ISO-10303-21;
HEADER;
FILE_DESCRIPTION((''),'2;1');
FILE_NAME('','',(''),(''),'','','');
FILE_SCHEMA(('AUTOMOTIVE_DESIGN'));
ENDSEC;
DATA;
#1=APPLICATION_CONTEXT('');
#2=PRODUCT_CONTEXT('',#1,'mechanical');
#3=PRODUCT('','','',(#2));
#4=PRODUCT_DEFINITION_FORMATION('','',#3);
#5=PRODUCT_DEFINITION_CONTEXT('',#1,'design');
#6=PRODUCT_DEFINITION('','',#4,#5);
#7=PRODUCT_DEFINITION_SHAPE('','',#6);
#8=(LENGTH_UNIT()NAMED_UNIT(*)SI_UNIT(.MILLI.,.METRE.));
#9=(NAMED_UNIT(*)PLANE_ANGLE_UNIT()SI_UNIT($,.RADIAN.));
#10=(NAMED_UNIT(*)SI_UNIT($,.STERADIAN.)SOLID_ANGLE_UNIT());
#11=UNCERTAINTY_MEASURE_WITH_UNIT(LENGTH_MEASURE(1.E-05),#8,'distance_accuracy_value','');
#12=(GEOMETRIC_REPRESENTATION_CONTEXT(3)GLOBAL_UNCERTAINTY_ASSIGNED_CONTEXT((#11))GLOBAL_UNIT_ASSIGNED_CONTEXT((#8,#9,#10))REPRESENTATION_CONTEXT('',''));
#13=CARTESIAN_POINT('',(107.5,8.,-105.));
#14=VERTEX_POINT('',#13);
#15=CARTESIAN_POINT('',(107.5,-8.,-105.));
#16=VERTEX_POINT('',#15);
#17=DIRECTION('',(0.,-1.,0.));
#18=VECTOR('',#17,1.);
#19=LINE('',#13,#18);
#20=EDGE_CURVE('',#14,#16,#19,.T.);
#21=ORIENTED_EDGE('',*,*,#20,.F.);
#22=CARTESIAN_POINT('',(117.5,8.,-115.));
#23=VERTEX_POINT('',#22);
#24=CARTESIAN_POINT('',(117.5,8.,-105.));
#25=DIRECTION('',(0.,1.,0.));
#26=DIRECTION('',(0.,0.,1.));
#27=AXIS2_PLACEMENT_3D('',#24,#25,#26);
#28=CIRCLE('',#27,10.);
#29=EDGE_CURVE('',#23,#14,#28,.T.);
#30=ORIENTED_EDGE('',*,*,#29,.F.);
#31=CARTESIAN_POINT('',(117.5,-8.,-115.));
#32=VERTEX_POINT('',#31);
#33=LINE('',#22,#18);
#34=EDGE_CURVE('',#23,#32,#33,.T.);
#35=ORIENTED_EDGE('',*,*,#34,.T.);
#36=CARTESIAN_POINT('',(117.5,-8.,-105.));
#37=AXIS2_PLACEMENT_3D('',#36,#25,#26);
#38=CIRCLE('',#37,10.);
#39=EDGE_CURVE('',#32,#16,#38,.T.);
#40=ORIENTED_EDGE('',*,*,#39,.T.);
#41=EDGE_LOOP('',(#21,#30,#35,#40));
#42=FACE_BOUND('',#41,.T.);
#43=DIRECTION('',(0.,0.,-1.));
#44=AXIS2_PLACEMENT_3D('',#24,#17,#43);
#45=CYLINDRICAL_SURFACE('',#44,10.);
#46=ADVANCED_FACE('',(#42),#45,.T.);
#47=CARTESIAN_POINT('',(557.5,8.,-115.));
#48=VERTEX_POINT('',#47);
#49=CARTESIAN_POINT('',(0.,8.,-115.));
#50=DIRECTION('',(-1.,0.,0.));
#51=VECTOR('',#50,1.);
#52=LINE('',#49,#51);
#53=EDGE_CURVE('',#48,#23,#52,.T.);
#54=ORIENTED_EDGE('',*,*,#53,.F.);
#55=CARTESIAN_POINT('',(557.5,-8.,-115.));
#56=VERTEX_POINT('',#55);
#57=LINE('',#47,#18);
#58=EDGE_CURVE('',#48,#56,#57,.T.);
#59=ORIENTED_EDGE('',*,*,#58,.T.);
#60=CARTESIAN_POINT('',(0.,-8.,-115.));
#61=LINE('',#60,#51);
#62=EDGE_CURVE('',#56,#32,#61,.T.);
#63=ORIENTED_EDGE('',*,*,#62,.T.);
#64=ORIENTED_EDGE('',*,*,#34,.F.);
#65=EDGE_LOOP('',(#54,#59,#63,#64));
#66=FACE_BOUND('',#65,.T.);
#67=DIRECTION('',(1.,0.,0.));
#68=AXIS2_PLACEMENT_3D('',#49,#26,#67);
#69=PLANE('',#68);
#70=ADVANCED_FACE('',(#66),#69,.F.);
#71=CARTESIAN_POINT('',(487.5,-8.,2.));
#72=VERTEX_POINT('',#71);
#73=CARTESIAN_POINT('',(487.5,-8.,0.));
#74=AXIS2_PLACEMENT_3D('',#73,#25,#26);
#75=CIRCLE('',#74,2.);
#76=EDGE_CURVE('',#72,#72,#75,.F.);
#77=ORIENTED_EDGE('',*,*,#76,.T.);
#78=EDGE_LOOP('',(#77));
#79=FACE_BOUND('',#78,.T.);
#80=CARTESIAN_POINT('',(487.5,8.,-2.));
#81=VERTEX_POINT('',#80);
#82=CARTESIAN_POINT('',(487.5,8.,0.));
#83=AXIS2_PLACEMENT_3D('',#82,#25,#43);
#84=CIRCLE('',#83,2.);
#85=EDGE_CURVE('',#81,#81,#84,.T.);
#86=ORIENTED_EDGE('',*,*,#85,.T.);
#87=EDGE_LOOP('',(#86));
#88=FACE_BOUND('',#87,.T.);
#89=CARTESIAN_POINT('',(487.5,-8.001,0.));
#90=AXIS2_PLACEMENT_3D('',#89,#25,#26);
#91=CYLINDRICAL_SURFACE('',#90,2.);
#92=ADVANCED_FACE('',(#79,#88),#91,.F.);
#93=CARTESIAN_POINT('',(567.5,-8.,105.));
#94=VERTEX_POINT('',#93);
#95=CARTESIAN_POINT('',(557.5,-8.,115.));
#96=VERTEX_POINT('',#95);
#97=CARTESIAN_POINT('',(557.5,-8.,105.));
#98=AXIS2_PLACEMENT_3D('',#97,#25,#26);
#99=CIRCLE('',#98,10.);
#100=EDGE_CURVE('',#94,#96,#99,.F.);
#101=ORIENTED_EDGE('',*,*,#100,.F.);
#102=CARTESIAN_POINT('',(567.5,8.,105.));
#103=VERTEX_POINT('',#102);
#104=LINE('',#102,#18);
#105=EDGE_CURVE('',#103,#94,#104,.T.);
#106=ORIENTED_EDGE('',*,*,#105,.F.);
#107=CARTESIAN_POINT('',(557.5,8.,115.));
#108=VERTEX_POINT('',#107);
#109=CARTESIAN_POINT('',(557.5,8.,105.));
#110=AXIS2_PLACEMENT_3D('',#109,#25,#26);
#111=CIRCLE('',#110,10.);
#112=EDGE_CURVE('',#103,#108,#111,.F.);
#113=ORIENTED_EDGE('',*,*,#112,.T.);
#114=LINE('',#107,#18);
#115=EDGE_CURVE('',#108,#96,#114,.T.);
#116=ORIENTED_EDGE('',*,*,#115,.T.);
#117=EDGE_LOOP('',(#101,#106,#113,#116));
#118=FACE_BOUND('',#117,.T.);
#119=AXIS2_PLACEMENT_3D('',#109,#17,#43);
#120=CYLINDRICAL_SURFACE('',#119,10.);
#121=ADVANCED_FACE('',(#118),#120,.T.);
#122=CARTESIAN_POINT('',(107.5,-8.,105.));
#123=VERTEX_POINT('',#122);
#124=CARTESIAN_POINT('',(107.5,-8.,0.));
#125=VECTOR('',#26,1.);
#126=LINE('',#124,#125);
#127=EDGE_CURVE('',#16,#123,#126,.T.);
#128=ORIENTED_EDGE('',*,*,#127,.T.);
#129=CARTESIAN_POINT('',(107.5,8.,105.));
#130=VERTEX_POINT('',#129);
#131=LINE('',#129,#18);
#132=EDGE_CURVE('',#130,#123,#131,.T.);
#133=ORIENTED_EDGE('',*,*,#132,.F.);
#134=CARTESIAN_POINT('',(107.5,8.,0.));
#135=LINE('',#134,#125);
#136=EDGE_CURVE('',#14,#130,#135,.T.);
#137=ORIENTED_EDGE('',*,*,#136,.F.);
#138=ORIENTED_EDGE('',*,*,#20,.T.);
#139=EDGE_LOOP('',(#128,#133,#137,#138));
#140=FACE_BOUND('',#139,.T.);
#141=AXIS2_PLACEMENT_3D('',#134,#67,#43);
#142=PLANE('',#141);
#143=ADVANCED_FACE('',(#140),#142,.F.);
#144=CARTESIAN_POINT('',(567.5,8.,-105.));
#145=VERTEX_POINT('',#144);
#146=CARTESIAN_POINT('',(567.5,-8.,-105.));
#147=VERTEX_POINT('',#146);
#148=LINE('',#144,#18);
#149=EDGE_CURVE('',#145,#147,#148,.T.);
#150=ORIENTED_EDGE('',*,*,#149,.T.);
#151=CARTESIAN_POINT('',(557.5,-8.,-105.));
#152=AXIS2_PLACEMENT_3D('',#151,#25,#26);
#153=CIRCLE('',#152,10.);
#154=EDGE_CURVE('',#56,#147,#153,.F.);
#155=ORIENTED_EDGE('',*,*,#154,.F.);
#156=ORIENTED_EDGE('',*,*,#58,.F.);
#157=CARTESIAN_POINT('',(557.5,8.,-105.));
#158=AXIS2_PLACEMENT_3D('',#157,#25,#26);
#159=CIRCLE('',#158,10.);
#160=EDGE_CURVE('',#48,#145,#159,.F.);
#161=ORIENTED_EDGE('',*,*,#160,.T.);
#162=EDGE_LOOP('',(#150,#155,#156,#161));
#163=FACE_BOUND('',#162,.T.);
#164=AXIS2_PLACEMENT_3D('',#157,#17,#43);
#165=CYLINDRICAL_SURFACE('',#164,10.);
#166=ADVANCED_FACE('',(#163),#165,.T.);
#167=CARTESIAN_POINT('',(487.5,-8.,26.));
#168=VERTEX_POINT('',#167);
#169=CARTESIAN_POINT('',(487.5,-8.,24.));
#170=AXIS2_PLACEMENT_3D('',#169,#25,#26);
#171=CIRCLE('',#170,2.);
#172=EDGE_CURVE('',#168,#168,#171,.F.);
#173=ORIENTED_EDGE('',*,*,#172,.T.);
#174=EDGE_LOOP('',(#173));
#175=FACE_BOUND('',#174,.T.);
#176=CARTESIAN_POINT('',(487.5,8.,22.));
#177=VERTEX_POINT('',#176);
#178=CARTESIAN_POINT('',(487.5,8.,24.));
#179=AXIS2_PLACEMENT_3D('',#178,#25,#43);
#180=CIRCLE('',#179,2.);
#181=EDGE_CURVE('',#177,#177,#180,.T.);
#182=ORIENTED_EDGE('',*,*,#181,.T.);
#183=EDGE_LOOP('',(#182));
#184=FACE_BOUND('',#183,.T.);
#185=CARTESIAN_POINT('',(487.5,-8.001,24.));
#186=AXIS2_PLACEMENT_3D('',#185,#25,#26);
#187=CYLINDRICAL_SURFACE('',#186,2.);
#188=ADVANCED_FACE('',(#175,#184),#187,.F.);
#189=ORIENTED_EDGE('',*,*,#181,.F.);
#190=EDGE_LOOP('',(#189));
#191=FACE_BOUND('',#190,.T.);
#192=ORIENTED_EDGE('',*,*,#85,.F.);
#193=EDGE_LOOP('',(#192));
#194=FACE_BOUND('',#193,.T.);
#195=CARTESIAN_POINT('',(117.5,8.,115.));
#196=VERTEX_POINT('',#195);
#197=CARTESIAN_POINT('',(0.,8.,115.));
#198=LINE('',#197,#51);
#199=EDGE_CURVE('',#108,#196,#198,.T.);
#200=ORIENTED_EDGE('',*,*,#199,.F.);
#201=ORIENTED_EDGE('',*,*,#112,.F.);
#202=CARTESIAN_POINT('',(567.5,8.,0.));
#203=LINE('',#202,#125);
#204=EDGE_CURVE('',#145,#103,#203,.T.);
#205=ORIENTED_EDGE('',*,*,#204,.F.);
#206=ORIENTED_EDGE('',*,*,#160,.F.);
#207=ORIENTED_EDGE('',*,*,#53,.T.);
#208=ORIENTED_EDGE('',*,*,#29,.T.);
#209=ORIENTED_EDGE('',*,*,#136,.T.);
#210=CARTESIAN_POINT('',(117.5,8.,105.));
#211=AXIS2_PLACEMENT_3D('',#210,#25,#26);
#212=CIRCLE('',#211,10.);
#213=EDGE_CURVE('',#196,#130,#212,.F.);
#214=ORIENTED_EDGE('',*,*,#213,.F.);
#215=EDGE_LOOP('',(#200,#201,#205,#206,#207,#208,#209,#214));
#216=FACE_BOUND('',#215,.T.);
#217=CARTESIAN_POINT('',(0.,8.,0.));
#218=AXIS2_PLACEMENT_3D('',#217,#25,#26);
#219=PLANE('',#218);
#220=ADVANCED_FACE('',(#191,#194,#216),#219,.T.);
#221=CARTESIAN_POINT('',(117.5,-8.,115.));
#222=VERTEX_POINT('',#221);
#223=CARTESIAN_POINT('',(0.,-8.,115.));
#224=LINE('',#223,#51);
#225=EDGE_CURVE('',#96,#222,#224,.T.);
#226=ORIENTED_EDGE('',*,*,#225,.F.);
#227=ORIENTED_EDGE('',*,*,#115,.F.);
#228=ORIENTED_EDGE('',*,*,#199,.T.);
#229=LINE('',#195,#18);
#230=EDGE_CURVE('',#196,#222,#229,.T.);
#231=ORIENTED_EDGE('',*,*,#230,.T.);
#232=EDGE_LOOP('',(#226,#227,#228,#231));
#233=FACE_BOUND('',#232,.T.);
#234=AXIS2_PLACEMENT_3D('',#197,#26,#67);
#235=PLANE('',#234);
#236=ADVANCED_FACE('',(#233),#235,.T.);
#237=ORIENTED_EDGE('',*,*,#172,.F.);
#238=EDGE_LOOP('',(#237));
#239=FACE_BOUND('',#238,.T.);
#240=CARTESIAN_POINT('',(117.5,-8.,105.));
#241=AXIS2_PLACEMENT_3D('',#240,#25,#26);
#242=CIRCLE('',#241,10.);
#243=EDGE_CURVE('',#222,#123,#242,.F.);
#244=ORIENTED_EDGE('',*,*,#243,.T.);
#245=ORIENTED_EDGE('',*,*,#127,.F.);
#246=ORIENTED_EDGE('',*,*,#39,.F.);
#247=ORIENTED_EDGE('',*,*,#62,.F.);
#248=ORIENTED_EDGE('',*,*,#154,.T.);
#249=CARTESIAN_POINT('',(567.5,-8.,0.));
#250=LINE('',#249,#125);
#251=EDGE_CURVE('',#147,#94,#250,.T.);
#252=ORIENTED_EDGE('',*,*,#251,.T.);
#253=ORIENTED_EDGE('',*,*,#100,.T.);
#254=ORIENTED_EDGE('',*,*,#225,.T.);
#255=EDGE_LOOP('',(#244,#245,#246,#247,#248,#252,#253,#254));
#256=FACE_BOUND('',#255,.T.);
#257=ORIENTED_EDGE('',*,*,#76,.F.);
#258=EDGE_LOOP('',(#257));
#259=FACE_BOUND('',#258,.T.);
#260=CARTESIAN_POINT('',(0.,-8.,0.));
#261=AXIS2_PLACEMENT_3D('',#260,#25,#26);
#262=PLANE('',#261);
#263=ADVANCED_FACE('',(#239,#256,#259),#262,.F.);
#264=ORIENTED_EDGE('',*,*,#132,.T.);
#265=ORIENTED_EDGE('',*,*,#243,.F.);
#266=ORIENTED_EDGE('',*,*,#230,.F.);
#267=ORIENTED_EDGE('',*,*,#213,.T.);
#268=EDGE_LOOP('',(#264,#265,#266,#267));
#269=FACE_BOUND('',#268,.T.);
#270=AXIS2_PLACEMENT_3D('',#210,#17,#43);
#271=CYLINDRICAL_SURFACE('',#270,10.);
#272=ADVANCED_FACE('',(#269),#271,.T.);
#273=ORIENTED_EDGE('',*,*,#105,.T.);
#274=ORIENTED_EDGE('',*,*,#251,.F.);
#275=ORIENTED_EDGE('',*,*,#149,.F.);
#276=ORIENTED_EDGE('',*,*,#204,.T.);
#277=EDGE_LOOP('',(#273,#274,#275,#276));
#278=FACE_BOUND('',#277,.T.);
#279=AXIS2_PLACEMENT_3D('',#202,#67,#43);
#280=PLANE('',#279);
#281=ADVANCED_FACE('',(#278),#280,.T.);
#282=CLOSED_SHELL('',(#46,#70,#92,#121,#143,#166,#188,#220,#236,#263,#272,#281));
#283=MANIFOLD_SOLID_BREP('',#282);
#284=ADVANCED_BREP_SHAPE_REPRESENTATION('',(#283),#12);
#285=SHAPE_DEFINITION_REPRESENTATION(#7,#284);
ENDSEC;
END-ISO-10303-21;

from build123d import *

# Parameters (mm, degrees)
EXTRUDE_1_DEPTH     = 8
CUT_EXTRUDE_9_REACH = 581.256
SKETCH_15_R         = 2


with BuildPart() as part:
    # 草圖1 → 填料-伸長1 (new, symmetric)
    with BuildSketch(Plane(origin=(0, 0, 0), x_dir=(1, 0, 0), z_dir=(0, 1, 0))):
        with BuildLine():
            ThreePointArc((567.5, 105), (564.571067812, 112.071067812), (557.5, 115))
            Line((557.5, 115), (117.5, 115))
            ThreePointArc((117.5, 115), (110.428932188, 112.071067812), (107.5, 105))
            Line((107.5, 105), (107.5, -105))
            ThreePointArc((107.5, -105), (110.428932188, -112.071067812), (117.5, -115))
            Line((117.5, -115), (557.5, -115))
            ThreePointArc((557.5, -115), (564.571067812, -112.071067812), (567.5, -105))
            Line((567.5, -105), (567.5, 105))
        make_face()
    extrude(amount=EXTRUDE_1_DEPTH, both=True)

    # 草圖15 → 除料-伸長9 (cut, up to next)
    with BuildSketch(Plane(origin=(0, 8, 0), x_dir=(1, 0, 0), z_dir=(0, 1, 0)), mode=Mode.PRIVATE) as cut_extrude_9_sk1:
        with Locations((487.5, -24)):
            Circle(SKETCH_15_R)
    cut_extrude_9_tool1 = extrude(cut_extrude_9_sk1.sketch, amount=-CUT_EXTRUDE_9_REACH, mode=Mode.PRIVATE) & part.part
    # 草圖15 → 除料-伸長9 (cut, up to next)
    with BuildSketch(Plane(origin=(0, 8, 0), x_dir=(1, 0, 0), z_dir=(0, 1, 0)), mode=Mode.PRIVATE) as cut_extrude_9_sk2:
        with Locations((487.5, 0)):
            Circle(SKETCH_15_R)
    cut_extrude_9_tool2 = extrude(cut_extrude_9_sk2.sketch, amount=-CUT_EXTRUDE_9_REACH, mode=Mode.PRIVATE) & part.part
    add(cut_extrude_9_tool1.solids().sort_by_distance((487.5, 8, 24))[0], mode=Mode.SUBTRACT)
    add(cut_extrude_9_tool2.solids().sort_by_distance((487.5, 8, 0))[0], mode=Mode.SUBTRACT)


solid = part.part
